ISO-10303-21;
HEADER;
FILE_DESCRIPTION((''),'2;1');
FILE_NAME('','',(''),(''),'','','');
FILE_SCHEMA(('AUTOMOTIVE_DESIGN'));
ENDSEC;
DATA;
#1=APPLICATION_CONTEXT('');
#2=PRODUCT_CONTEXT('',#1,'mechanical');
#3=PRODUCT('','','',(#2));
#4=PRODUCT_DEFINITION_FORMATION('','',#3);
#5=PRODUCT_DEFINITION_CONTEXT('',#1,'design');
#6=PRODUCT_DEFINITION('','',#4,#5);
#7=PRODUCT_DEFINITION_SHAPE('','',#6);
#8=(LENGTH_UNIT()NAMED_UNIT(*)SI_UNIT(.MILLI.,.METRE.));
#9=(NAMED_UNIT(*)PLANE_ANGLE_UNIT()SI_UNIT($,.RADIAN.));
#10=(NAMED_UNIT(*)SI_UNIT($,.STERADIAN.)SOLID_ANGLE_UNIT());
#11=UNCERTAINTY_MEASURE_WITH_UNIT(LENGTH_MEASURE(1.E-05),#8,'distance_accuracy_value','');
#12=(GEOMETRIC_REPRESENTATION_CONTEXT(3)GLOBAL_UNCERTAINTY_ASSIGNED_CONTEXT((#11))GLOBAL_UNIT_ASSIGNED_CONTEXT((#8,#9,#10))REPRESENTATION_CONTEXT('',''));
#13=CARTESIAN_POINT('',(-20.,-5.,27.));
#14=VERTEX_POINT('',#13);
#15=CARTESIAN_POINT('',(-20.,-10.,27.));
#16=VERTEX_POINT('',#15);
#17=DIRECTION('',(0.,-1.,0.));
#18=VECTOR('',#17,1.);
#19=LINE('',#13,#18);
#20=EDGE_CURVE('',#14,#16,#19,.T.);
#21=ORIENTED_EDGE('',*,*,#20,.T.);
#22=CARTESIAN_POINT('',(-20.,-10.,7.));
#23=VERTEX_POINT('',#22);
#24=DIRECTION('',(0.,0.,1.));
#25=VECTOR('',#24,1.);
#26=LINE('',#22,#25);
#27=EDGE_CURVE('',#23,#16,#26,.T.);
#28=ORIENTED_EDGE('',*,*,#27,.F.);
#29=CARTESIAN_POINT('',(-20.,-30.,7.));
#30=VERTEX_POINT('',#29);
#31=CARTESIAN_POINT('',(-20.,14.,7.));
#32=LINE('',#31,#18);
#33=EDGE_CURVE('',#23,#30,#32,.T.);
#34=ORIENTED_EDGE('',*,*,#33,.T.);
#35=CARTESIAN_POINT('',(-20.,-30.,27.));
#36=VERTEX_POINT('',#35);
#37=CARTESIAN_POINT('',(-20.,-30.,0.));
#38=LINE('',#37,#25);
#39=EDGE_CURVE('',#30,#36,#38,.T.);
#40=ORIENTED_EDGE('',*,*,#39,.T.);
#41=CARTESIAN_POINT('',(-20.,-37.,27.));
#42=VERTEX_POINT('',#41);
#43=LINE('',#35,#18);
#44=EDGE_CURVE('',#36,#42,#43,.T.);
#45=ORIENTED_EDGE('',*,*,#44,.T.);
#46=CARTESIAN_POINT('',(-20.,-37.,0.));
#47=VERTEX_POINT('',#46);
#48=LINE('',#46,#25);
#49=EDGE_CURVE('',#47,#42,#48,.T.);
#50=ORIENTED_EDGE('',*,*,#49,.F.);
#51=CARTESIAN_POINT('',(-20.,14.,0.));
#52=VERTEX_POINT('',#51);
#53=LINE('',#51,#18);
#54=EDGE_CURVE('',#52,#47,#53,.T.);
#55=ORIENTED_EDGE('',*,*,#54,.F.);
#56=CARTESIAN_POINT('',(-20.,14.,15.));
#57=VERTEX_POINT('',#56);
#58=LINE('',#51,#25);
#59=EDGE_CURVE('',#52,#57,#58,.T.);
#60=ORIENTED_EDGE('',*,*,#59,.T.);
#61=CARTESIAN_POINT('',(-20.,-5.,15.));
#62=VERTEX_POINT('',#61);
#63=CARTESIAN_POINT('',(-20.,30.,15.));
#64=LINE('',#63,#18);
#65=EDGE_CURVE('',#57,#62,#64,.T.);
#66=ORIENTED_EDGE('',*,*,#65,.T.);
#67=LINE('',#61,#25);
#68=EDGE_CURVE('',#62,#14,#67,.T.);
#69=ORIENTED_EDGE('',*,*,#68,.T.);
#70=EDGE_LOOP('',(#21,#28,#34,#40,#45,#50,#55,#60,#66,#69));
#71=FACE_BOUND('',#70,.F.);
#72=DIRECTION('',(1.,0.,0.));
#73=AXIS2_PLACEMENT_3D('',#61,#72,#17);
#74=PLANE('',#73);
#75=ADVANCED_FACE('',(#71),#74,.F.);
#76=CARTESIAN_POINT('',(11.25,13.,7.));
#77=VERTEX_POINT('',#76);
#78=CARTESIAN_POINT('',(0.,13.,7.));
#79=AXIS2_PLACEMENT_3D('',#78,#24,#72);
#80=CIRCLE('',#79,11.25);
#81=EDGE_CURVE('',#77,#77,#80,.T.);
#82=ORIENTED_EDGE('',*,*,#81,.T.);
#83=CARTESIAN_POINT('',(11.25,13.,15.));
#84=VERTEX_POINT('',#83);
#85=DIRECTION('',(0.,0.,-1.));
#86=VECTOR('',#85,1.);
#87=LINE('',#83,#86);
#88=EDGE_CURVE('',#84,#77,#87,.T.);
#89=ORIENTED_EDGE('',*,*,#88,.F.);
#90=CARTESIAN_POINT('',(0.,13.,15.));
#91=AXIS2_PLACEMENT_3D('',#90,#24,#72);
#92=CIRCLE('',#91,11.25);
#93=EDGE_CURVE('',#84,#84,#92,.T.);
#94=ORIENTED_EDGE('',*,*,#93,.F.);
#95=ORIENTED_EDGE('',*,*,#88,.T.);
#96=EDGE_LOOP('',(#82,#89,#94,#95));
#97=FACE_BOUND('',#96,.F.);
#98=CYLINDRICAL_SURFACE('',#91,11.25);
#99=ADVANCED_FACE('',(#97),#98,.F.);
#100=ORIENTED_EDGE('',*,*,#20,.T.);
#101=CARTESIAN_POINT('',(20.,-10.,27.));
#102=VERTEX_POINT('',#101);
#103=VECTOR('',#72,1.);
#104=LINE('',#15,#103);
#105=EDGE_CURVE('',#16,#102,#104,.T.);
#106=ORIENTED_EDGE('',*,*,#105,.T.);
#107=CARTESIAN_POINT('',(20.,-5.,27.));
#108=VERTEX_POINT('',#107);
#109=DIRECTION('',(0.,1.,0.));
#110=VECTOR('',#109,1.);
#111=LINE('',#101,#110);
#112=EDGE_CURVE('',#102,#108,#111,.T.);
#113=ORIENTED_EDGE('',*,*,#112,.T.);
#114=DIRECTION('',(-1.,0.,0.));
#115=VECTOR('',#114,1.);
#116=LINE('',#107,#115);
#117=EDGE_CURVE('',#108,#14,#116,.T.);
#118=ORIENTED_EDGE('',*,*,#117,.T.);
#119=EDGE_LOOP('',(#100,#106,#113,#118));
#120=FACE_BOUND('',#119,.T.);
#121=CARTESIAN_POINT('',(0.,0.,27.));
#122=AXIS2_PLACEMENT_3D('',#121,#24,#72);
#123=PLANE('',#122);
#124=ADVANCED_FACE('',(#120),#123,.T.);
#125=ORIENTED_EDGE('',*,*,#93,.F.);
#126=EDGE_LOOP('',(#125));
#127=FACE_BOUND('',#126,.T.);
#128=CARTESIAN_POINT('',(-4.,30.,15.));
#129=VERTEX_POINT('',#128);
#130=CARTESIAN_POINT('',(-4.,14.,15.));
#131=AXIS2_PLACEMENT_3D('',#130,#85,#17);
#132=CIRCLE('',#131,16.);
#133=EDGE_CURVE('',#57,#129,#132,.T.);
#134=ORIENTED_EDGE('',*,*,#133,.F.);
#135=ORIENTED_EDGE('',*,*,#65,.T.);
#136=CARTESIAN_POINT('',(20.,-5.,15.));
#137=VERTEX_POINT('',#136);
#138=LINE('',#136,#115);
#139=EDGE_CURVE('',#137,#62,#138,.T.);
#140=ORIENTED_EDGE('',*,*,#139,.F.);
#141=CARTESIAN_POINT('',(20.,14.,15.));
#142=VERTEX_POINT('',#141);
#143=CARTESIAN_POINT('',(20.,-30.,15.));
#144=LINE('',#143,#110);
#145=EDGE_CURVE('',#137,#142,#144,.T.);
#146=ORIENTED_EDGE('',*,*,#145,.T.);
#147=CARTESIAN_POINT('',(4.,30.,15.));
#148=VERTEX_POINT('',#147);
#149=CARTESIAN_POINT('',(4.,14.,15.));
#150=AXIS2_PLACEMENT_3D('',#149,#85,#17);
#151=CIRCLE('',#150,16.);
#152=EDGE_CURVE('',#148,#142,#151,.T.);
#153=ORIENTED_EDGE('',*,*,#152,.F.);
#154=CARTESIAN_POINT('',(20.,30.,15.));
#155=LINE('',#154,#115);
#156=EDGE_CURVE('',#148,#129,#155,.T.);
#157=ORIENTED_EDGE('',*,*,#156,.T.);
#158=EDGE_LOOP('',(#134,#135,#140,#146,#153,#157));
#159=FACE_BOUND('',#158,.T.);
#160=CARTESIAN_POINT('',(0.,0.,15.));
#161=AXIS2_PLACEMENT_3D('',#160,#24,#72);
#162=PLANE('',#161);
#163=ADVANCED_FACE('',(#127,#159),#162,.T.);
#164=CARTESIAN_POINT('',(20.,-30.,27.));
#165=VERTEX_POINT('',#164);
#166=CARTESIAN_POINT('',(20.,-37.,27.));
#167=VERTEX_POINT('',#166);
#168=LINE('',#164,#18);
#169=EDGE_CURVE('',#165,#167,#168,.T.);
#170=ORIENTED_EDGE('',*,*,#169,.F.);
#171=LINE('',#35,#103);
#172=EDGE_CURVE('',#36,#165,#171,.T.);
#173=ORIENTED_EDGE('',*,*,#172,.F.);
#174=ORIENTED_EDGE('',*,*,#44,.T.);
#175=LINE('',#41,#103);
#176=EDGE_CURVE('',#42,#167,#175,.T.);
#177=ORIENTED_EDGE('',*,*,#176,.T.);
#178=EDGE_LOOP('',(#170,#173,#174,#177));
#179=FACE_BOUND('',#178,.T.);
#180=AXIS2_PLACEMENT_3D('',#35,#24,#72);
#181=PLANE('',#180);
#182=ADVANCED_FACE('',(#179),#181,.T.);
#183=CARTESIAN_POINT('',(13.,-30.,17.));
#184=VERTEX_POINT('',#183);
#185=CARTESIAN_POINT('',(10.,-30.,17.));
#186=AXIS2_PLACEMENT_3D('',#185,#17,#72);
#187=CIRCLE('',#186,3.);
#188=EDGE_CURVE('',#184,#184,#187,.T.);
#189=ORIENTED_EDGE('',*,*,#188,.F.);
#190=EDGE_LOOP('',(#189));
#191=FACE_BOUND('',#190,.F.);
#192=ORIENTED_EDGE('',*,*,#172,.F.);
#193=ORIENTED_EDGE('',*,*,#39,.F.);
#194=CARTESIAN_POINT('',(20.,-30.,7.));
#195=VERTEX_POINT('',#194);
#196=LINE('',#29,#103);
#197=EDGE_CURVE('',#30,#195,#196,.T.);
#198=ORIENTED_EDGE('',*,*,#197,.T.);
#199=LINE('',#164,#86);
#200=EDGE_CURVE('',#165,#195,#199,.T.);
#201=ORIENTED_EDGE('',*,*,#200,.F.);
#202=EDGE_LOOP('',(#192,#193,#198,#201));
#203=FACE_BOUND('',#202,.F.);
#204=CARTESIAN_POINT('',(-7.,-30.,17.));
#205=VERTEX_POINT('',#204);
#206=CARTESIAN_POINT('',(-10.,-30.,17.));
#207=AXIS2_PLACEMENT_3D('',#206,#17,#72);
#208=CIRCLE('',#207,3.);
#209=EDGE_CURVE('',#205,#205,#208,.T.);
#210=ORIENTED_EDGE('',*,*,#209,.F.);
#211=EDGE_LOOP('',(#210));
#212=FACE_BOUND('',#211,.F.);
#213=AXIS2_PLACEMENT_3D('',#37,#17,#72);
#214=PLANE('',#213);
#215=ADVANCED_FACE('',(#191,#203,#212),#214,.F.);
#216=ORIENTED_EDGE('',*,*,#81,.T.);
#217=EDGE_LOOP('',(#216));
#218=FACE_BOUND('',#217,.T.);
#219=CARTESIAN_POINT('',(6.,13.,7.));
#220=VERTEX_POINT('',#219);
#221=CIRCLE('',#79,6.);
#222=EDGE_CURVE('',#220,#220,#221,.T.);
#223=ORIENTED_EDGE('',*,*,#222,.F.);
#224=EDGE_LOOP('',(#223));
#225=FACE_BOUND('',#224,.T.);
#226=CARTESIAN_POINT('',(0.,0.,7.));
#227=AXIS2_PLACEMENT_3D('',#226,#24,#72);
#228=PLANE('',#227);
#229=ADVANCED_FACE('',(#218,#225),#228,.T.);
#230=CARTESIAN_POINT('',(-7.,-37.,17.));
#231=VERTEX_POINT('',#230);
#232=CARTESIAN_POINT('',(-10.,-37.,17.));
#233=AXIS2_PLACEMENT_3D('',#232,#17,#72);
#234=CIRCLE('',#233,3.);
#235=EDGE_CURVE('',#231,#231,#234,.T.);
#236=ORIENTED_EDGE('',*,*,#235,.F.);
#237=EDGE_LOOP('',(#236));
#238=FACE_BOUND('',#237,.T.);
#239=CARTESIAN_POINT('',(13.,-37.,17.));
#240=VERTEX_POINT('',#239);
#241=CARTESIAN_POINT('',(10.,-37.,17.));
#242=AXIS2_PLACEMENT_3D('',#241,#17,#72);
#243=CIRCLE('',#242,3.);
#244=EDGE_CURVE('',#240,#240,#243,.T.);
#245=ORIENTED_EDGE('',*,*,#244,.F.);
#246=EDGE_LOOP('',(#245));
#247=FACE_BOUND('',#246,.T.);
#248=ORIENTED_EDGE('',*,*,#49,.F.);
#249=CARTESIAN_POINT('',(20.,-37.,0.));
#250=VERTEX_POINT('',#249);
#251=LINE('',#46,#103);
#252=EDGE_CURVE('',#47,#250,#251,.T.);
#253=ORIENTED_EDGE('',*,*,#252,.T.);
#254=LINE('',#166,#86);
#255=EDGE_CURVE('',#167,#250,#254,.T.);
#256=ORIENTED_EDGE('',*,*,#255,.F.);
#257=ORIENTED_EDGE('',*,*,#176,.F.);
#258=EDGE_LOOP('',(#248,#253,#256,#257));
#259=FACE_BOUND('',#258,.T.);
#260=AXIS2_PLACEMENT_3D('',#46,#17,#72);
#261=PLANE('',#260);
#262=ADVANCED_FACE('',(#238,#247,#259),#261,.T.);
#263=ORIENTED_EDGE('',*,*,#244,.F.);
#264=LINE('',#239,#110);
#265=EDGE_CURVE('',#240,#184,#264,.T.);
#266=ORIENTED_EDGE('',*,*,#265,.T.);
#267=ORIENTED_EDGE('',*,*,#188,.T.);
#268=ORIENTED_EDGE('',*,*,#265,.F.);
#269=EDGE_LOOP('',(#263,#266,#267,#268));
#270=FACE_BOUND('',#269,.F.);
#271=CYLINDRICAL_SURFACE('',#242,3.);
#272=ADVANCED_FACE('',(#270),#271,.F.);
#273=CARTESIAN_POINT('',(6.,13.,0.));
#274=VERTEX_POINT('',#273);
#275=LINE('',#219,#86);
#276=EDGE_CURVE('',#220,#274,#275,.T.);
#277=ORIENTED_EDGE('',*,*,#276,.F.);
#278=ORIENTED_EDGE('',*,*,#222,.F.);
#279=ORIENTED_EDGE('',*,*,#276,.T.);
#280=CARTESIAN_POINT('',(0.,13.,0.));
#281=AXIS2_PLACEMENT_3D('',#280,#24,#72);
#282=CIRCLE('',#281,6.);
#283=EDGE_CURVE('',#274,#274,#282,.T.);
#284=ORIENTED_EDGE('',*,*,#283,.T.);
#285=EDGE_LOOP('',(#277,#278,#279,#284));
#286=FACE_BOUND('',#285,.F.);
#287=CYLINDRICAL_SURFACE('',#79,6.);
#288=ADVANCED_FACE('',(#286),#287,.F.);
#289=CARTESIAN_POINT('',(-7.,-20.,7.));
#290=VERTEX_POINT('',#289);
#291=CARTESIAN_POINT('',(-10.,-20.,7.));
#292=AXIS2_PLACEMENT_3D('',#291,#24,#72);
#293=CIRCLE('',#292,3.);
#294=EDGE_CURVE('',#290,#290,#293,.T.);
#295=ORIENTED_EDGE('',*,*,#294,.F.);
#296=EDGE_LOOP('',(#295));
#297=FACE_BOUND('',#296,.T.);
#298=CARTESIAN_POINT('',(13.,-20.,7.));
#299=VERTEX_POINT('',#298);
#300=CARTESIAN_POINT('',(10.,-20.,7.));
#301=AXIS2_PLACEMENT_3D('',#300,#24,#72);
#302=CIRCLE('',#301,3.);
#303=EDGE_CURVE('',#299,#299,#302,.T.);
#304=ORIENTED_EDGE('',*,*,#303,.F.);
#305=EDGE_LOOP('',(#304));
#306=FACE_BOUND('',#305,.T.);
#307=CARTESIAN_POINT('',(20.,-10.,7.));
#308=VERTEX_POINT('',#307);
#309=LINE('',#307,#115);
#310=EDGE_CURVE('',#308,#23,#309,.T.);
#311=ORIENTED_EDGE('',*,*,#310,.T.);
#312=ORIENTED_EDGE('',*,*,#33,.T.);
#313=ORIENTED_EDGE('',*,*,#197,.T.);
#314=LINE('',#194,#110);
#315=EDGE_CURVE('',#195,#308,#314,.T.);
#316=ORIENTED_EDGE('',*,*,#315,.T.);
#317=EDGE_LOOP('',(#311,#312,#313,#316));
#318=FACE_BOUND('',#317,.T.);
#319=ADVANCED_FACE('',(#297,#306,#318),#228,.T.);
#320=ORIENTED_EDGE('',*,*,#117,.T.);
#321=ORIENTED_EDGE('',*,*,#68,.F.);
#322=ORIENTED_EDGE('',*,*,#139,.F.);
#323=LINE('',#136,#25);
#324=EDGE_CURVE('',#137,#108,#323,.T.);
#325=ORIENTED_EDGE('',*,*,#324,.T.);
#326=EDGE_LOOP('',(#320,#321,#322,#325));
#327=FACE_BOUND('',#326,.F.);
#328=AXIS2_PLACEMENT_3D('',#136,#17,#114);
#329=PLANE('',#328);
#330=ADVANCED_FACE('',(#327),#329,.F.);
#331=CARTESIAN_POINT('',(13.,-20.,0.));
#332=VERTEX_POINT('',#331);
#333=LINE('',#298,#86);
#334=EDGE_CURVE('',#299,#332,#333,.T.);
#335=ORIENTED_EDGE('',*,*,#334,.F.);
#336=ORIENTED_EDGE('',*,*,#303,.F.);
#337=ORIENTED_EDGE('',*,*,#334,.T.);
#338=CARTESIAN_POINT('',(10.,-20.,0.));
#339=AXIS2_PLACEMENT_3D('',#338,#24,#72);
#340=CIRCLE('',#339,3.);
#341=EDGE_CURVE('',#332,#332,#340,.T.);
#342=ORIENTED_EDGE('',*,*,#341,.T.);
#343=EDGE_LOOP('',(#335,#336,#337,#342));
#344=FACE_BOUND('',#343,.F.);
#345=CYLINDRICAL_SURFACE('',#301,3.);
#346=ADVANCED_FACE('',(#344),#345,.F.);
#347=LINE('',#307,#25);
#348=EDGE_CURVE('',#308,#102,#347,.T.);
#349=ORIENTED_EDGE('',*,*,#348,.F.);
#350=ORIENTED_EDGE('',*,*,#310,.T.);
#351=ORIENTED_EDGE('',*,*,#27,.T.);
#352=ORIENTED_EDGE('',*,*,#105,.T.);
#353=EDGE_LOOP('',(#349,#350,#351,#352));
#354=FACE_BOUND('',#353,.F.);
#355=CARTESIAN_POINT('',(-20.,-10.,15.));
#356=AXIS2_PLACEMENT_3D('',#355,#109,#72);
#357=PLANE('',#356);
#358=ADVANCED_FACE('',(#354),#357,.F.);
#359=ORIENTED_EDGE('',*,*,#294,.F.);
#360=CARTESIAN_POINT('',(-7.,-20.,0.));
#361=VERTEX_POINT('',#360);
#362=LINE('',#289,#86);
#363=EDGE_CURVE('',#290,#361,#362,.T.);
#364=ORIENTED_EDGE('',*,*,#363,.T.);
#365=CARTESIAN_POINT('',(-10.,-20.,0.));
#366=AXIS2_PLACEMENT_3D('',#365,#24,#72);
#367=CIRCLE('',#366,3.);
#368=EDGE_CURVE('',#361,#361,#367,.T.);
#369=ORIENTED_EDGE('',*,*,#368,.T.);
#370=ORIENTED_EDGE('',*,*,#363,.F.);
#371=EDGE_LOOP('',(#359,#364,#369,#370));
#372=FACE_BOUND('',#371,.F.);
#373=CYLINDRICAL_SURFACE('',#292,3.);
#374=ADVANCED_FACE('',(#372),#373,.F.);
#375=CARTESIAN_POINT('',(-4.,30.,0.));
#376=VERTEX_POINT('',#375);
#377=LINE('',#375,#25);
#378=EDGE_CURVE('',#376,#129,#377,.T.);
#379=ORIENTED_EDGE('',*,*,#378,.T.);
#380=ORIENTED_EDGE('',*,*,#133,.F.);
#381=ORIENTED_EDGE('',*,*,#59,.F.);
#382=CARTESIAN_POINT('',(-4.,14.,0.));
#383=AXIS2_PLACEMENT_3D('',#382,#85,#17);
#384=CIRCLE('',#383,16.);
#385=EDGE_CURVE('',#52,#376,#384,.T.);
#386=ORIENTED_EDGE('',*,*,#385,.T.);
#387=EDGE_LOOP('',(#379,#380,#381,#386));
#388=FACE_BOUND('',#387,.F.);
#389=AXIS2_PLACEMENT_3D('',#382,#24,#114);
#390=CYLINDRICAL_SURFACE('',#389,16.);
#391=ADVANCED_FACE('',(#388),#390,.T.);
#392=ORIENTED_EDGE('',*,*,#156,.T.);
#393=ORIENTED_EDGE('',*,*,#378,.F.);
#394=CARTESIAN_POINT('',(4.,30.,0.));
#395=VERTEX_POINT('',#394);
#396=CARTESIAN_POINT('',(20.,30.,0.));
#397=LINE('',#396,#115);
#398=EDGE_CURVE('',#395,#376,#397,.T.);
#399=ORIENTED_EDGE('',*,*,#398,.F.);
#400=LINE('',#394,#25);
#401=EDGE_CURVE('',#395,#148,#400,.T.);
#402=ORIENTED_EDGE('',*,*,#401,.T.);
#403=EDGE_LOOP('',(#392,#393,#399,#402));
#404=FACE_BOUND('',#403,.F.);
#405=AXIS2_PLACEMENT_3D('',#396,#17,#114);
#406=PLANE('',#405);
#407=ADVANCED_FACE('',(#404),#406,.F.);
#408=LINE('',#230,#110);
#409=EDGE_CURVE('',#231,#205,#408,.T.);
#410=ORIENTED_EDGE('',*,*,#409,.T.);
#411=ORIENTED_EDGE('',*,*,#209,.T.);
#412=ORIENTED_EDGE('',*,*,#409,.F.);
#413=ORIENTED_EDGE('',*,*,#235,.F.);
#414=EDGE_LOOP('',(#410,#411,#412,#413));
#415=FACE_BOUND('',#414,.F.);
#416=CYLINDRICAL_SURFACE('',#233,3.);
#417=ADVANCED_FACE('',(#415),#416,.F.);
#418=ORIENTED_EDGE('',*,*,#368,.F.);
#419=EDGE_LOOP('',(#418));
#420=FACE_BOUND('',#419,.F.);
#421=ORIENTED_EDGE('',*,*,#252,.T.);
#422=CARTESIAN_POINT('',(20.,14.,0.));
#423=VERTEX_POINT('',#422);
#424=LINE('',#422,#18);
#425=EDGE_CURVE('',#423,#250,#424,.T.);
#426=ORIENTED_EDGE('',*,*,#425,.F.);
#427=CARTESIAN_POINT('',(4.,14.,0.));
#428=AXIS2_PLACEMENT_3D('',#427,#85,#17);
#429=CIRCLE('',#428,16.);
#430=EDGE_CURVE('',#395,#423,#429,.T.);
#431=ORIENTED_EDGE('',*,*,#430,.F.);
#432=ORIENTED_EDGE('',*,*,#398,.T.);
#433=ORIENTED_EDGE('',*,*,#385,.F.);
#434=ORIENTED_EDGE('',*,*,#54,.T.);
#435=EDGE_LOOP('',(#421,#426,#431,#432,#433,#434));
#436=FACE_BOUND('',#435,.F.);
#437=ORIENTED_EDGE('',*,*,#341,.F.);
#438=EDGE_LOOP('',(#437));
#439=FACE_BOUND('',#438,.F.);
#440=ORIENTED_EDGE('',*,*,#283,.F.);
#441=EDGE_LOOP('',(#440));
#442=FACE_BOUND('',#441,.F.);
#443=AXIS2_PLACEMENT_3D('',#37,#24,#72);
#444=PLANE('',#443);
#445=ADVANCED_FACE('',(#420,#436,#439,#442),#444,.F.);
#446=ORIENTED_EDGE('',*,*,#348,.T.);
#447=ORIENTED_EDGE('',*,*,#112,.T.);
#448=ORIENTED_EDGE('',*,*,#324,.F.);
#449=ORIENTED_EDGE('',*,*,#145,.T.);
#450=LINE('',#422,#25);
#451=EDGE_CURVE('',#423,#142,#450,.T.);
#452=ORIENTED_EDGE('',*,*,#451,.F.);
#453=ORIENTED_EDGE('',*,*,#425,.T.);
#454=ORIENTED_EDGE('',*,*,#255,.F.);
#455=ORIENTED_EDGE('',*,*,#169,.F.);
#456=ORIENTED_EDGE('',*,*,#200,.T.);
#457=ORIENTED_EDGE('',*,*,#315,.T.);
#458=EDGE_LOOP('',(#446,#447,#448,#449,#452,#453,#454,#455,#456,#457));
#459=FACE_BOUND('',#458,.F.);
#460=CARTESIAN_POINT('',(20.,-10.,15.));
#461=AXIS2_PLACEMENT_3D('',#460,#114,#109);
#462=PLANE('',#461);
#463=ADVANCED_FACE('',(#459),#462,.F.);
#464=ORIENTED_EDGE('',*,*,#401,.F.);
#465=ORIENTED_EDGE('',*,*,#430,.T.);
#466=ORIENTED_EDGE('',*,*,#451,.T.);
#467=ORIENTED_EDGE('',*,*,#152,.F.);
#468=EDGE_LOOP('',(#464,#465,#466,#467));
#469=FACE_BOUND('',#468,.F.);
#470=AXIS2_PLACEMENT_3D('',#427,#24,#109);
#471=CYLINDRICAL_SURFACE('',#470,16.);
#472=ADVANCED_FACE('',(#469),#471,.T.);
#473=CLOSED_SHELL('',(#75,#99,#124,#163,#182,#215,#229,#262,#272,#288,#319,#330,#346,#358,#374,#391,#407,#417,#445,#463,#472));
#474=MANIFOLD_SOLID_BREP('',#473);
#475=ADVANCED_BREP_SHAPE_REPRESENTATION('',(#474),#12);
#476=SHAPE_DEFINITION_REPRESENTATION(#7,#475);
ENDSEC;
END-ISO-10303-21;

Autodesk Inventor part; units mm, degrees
ref_plane "YZ Plane" through (0, 0, 0) normal (1, 0, 0) x (0, 1, 0)
ref_plane "XZ Plane" through (0, 0, 0) normal (0, 1, 0) x (-1, 0, 0)
ref_plane "XY Plane" through (0, 0, 0) normal (0, 0, 1) x (1, 0, 0)
sketch "Sketch1" plane through (0, 0, 0) normal (0, 0, 1) x (1, 0, 0)
  line L0 (-20, -30) -> (20, -30)
  line L1 (20, -30) -> (20, 30)
  line L2 (20, 30) -> (-20, 30)
  line L3 (-20, 30) -> (-20, -30)
  line L4 (-20, -30) -> (20, 30) construction
  line L5 (20, -30) -> (-20, 30) construction
  point P0 (0, 0)
  dimension "d0" = 40
  dimension "d1" = 60
extrude "Extrusion1" add sketch "Sketch1" along normal blind 15
sketch "Sketch2" plane through (0, 0, 15) normal (0, 0, 1) x (1, 0, 0)
  circle A0 centre (0, 13) radius 11.25
  line L0 (-20, -30) -> (20, -30) projected
  point P0 (0, 0)
  dimension "d4" = 22.5
  dimension "d5" = 43
extrude "Extrusion2" cut sketch "Sketch2" against normal blind 8
sketch "Sketch3" plane through (0, 13, 7) normal (0, 0, 1) x (1, 0, 0)
  circle A0 centre (0, 0) radius 6
  point P0 (0, -13)
  dimension "d8" = 12
extrude "Extrusion3" cut sketch "Sketch3" against normal through all
fillet "Fillet1" radius 16 2 edges at (20, 30, 7.5) (-20, 30, 7.5)
sketch "Sketch4" plane through (0, 0, 15) normal (0, 0, 1) x (1, 0, 0)
  line L0 (-20, 14) -> (-20, -30) projected
  line L1 (20, -30) -> (20, 14) projected
  line L2 (-20, -30) -> (20, -30)
  line L3 (20, -30) -> (20, -10)
  line L4 (20, -10) -> (-20, -10)
  line L5 (-20, -10) -> (-20, -30)
  point P0 (0, 0)
  dimension "d12" = 20
extrude "Extrusion4" cut sketch "Sketch4" against normal blind 8
sketch "Sketch5" plane through (-20, -30, 0) normal (0, -1, 0) x (1, 0, 0)
  line L0 (0, 0) -> (40, 0) projected
  line L1 (40, 0) -> (0, 0)
  line L2 (0, 0) -> (0, 27)
  line L3 (0, 27) -> (40, 27)
  line L4 (40, 27) -> (40, 0)
  point P0 (20, 0)
  dimension "d15" = 27
extrude "Extrusion5" add sketch "Sketch5" along normal blind 7
sketch "Sketch6" plane through (0, 0, 7) normal (0, 0, 1) x (1, 0, 0)
  circle A0 centre (-10, -20) radius 3
  circle A1 centre (10, -20) radius 3
  line L0 (20, -30) -> (-20, -30) projected
  line L1 (0, -42) -> (0, 42) projected
  point P0 (0, 0)
  dimension "d19" = 6
  dimension "d20" = 6
  dimension "d21" = 10
  dimension "d22" = 20
  dimension "d23" = 10
  dimension "d24" = 10
extrude "Extrusion6" cut sketch "Sketch6" against normal blind 7
sketch "Sketch7" plane through (-20, -37, 0) normal (0, -1, 0) x (1, 0, 0)
  circle A0 centre (30, 17) radius 3
  circle A1 centre (10, 17) radius 3
  line L0 (40, 27) -> (0, 27) projected
  point P0 (20, 0)
  dimension "d27" = 6
  dimension "d28" = 6
  dimension "d29" = 10
  dimension "d30" = 10
  dimension "d31" = 20
  dimension "d32" = 10
extrude "Extrusion7" cut sketch "Sketch7" against normal blind 7
sketch "Sketch8" plane through (0, 0, 15) normal (0, 0, 1) x (1, 0, 0)
  line L0 (-20, -10) -> (20, -10) projected
  line L1 (20, -10) -> (20, 14) projected
  line L2 (-20, -10) -> (20, -10)
  line L3 (20, -10) -> (20, -5)
  line L4 (20, -5) -> (-20, -5)
  line L5 (-20, -5) -> (-20, -10)
  point P0 (0, 0)
  dimension "d35" = 5
extrude "Extrusion8" add sketch "Sketch8" along normal blind 12
properties part number "Giu truc X"
